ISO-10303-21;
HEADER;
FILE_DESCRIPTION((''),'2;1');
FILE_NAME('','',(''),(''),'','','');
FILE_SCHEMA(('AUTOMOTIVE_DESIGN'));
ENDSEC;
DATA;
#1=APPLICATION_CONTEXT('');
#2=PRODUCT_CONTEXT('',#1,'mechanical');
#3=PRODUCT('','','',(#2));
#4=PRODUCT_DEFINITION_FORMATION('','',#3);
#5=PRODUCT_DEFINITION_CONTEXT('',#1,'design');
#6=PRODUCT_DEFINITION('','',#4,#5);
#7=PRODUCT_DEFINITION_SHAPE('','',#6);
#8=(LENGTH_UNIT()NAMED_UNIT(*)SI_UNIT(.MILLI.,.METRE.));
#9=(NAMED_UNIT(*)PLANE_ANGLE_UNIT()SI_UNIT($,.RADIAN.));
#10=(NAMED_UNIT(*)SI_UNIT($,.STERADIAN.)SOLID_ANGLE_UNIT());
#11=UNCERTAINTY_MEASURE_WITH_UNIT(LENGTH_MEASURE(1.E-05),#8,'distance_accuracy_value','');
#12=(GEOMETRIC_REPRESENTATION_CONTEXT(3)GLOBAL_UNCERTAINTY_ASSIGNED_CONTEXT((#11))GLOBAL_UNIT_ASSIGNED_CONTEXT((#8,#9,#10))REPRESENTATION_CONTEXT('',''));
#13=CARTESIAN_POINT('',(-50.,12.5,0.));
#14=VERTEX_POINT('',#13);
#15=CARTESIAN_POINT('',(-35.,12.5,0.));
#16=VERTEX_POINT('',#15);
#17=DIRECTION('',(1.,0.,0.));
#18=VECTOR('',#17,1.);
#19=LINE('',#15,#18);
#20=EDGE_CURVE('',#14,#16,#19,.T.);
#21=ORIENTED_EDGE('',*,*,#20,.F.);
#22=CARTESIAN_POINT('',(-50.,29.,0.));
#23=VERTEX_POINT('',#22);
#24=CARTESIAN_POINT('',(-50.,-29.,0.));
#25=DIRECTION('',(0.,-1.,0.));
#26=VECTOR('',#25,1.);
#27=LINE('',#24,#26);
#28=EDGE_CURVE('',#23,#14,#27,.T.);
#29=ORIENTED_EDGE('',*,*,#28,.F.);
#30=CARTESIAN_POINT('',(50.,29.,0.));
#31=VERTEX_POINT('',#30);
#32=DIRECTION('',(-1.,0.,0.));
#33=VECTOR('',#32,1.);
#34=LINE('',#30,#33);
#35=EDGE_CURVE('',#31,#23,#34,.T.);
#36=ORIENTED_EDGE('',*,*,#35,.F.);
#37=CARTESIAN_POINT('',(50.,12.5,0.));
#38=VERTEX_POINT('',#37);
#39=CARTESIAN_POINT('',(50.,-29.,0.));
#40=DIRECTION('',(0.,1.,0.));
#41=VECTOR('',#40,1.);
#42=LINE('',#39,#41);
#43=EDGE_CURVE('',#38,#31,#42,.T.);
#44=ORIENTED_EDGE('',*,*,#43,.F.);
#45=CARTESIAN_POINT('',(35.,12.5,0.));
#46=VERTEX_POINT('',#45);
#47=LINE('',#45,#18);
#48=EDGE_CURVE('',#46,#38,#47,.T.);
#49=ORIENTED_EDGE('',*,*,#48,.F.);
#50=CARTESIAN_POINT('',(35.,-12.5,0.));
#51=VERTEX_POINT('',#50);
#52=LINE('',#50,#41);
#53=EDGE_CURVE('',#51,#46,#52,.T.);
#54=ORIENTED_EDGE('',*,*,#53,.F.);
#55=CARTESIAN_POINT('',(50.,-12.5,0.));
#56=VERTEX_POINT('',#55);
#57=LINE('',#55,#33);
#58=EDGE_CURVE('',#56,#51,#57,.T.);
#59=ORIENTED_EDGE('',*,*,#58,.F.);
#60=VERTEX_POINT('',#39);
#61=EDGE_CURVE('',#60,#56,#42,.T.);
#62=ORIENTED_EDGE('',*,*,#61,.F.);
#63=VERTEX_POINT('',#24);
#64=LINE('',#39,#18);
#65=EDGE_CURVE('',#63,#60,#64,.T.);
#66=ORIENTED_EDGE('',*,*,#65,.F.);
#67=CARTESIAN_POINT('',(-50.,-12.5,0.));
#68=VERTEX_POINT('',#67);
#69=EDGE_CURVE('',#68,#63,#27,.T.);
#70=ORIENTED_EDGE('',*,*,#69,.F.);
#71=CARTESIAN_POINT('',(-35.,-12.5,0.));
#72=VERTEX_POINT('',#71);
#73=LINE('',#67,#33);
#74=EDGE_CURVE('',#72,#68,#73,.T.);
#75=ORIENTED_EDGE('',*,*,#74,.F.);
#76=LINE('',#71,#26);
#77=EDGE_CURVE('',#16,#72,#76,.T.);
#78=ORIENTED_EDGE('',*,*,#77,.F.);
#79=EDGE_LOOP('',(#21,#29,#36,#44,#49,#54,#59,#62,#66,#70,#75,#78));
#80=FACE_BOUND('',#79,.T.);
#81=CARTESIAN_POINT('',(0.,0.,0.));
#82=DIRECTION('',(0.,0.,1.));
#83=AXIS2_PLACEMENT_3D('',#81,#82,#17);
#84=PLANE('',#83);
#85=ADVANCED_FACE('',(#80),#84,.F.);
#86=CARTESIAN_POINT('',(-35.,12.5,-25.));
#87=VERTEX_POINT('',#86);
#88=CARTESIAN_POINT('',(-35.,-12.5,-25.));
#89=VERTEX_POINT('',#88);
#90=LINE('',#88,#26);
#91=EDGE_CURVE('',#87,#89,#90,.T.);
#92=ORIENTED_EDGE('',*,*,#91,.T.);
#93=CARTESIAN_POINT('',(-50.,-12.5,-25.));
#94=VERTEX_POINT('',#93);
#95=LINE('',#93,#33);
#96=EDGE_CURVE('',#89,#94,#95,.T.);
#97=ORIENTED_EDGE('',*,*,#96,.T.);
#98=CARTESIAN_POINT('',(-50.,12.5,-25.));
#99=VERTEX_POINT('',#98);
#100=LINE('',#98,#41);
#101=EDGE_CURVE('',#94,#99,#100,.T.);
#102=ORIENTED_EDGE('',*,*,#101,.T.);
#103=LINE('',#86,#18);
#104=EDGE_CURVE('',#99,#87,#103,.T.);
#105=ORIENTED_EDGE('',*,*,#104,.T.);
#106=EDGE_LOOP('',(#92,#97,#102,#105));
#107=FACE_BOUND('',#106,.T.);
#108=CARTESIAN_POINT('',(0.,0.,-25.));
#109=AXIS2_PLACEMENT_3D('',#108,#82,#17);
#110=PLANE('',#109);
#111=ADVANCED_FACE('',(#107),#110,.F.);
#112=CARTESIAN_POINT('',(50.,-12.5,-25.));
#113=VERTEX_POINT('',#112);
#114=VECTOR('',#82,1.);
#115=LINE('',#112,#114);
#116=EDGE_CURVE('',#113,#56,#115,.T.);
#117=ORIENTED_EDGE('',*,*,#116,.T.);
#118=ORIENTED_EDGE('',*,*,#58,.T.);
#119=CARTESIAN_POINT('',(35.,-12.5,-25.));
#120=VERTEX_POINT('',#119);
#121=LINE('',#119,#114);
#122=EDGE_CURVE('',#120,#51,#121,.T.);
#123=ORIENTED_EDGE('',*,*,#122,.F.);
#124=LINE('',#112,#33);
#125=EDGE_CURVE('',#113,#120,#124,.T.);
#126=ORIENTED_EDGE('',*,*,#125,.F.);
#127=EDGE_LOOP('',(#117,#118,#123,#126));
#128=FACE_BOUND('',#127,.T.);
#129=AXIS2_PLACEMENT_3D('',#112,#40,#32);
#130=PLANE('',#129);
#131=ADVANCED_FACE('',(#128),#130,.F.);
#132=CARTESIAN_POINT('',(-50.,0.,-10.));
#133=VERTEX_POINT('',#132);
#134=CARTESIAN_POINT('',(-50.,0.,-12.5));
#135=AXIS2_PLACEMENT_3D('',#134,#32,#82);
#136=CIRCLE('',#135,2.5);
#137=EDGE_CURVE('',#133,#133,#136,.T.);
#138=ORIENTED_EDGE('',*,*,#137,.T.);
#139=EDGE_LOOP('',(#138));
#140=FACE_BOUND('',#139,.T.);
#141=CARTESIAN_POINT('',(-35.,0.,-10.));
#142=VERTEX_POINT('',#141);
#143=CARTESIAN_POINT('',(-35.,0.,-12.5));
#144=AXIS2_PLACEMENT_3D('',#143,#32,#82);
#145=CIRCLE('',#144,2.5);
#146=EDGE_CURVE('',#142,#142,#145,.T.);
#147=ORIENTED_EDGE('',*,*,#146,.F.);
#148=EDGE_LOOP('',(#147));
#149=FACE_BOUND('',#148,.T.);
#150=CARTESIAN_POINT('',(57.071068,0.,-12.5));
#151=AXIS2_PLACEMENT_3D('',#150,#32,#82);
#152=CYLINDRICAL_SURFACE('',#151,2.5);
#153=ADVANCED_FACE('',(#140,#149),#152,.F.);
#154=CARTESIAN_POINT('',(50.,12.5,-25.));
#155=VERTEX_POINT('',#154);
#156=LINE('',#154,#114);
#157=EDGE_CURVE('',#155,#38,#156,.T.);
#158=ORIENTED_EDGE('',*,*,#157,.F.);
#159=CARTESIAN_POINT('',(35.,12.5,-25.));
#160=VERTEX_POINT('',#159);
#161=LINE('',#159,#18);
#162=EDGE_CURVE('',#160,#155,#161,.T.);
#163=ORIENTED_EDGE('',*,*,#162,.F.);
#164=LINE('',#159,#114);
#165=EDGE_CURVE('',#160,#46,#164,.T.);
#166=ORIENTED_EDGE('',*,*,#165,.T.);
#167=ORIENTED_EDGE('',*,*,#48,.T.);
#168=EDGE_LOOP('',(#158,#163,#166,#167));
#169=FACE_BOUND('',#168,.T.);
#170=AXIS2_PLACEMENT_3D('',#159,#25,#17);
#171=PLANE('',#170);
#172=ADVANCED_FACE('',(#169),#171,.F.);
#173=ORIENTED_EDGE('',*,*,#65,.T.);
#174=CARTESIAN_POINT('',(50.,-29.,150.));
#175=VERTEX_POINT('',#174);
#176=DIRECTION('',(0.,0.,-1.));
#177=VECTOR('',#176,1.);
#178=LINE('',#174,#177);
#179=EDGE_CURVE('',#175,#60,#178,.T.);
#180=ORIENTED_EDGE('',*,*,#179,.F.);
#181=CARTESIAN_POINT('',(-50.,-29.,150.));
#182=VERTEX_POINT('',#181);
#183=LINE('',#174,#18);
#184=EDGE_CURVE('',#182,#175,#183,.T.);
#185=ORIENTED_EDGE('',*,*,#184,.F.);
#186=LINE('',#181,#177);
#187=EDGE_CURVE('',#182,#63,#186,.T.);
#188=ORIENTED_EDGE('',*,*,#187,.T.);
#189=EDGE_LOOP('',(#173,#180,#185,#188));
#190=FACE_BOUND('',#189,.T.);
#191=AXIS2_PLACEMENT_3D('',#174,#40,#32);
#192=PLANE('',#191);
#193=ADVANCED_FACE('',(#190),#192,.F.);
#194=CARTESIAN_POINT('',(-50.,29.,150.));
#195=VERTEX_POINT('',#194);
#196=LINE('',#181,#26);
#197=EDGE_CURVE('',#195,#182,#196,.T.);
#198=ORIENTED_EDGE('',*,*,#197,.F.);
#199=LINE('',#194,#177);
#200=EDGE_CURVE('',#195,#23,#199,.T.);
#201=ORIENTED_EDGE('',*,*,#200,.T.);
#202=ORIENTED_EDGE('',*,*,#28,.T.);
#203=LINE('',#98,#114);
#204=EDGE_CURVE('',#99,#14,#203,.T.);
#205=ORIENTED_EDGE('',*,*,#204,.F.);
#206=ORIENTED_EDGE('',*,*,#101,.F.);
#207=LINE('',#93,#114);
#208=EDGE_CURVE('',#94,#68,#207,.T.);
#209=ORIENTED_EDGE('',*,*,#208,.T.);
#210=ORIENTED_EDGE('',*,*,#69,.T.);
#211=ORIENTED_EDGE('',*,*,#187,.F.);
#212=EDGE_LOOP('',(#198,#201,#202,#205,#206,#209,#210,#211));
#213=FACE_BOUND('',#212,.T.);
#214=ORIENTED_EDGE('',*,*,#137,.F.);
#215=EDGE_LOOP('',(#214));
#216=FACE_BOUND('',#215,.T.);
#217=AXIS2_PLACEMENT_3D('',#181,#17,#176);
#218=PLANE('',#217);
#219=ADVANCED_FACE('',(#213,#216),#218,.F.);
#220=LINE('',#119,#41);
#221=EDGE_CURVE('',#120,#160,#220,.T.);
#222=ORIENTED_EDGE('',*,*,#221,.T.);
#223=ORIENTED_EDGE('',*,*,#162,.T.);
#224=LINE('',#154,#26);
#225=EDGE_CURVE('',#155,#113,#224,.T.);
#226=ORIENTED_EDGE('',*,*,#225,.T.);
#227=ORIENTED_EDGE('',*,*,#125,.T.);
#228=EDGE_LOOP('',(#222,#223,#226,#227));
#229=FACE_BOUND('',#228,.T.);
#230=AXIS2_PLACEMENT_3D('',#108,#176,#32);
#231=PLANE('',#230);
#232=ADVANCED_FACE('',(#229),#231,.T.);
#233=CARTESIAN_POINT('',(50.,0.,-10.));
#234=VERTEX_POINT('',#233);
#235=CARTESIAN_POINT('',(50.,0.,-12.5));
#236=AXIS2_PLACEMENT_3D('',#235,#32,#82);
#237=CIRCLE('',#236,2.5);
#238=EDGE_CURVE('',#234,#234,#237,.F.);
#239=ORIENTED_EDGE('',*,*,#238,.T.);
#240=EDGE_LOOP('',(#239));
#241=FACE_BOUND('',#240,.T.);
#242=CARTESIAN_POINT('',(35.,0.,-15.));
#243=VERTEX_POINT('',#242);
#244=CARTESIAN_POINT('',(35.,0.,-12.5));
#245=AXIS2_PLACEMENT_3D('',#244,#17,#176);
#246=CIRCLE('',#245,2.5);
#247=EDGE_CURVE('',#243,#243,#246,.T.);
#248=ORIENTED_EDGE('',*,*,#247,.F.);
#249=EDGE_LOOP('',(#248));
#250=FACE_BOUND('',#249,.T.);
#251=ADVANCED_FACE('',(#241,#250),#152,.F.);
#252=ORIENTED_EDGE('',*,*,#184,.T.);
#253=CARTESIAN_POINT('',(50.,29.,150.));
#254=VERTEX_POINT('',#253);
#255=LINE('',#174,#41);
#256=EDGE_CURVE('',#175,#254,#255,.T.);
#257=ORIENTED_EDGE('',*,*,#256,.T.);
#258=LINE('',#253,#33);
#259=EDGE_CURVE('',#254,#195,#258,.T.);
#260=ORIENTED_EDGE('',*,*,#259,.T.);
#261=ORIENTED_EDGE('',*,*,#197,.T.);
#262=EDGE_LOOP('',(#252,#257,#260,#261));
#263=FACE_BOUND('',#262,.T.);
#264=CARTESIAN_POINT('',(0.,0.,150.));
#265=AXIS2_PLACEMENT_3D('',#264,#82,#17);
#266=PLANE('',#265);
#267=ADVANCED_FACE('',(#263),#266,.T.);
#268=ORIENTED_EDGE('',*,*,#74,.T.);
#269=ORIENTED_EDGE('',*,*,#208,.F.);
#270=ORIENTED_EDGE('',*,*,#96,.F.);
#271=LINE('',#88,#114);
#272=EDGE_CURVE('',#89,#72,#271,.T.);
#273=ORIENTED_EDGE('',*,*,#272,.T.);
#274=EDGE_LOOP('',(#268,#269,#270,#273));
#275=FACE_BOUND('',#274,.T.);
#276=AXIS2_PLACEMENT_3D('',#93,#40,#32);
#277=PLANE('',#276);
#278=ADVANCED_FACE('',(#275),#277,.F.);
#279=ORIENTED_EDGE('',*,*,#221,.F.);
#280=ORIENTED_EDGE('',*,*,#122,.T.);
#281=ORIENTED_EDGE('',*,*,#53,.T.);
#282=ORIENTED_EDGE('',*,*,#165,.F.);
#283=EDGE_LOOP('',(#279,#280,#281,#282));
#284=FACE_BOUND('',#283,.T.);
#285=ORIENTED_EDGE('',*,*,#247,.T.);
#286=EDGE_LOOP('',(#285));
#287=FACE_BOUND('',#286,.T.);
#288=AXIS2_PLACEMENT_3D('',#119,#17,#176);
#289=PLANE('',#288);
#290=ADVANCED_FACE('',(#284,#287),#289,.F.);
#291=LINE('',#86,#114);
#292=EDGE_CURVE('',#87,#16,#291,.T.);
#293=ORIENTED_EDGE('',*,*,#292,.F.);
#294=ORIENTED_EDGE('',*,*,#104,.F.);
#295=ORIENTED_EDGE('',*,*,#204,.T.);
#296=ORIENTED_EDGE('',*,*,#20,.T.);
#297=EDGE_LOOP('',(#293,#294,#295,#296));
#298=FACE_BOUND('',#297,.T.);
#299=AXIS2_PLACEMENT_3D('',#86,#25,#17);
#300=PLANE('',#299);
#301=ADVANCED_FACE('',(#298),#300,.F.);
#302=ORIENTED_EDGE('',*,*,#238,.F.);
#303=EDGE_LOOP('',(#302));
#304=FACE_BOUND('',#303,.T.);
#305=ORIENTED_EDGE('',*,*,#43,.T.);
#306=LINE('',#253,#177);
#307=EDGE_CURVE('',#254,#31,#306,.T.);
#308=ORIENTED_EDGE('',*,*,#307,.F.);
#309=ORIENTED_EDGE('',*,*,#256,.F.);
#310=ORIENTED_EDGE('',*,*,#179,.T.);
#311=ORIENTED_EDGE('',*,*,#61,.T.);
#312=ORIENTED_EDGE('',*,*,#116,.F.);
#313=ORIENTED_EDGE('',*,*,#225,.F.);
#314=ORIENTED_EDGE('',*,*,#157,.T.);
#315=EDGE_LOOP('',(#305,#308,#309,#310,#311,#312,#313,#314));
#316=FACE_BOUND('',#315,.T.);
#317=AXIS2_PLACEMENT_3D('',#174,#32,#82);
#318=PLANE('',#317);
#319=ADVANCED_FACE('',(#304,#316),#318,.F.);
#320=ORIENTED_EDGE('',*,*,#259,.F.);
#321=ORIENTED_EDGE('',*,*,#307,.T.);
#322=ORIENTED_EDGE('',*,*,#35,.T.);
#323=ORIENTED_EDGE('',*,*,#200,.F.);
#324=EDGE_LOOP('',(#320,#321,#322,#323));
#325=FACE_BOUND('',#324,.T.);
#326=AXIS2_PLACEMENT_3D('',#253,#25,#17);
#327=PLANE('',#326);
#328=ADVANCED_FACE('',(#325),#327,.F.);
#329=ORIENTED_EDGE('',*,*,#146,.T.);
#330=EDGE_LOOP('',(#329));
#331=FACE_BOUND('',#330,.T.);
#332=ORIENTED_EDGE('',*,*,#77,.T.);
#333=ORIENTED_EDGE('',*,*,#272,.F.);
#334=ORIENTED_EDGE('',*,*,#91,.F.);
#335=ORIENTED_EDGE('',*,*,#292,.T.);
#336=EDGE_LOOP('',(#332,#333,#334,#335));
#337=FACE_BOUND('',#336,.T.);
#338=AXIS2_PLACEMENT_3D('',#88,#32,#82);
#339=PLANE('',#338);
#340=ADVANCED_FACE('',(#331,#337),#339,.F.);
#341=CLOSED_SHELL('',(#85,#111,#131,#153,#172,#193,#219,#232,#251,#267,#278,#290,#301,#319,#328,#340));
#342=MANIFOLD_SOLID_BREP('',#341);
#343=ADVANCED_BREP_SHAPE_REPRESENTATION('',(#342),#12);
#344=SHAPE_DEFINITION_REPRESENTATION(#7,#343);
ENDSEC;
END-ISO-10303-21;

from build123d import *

# Parameters (mm, degrees)
SKETCH2_W           = 100
SKETCH2_H           = 58
BOSS_EXTRUDE1_DEPTH = 150
SKETCH3_W           = 15
SKETCH3_H           = 25
BOSS_EXTRUDE2_DEPTH = 25
CUT_EXTRUDE1_REACH  = 184.595
SKETCH4_R           = 2.5


with BuildPart() as part:
    # Sketch2 → Boss-Extrude1 (new body)
    with BuildSketch(Plane.XY):
        Rectangle(SKETCH2_W, SKETCH2_H)
    extrude(amount=BOSS_EXTRUDE1_DEPTH)

    # Sketch3 → Boss-Extrude2 (add)
    with BuildSketch(Plane(origin=(0, 0, 0), x_dir=(-1, 0, 0), z_dir=(0, 0, -1))):
        with Locations((42.5, 0)):
            Rectangle(SKETCH3_W, SKETCH3_H)
        with Locations((-42.5, 0)):
            Rectangle(SKETCH3_W, SKETCH3_H)
    extrude(amount=BOSS_EXTRUDE2_DEPTH)

    # Cut-Extrude1: up to this face of the body (flat: up to its plane)
    cut_extrude1_end = Plane(part.part.faces().sort_by_distance((50, 0, 69.13538874))[0])
    # Sketch4 → Cut-Extrude1 (cut, up to the picked face)
    with BuildSketch(Plane.ZY.offset(50), mode=Mode.PRIVATE) as cut_extrude1_sk1:
        with Locations((-12.5, 0)):
            Circle(SKETCH4_R)
    cut_extrude1_tool1 = split(extrude(cut_extrude1_sk1.sketch, amount=-CUT_EXTRUDE1_REACH, mode=Mode.PRIVATE), bisect_by=cut_extrude1_end, keep=Keep.BOTH, mode=Mode.PRIVATE)
    add(cut_extrude1_tool1.solids().sort_by(Axis((-50, 0, -12.5), (1, 0, 0)))[0], mode=Mode.SUBTRACT)


solid = part.part
